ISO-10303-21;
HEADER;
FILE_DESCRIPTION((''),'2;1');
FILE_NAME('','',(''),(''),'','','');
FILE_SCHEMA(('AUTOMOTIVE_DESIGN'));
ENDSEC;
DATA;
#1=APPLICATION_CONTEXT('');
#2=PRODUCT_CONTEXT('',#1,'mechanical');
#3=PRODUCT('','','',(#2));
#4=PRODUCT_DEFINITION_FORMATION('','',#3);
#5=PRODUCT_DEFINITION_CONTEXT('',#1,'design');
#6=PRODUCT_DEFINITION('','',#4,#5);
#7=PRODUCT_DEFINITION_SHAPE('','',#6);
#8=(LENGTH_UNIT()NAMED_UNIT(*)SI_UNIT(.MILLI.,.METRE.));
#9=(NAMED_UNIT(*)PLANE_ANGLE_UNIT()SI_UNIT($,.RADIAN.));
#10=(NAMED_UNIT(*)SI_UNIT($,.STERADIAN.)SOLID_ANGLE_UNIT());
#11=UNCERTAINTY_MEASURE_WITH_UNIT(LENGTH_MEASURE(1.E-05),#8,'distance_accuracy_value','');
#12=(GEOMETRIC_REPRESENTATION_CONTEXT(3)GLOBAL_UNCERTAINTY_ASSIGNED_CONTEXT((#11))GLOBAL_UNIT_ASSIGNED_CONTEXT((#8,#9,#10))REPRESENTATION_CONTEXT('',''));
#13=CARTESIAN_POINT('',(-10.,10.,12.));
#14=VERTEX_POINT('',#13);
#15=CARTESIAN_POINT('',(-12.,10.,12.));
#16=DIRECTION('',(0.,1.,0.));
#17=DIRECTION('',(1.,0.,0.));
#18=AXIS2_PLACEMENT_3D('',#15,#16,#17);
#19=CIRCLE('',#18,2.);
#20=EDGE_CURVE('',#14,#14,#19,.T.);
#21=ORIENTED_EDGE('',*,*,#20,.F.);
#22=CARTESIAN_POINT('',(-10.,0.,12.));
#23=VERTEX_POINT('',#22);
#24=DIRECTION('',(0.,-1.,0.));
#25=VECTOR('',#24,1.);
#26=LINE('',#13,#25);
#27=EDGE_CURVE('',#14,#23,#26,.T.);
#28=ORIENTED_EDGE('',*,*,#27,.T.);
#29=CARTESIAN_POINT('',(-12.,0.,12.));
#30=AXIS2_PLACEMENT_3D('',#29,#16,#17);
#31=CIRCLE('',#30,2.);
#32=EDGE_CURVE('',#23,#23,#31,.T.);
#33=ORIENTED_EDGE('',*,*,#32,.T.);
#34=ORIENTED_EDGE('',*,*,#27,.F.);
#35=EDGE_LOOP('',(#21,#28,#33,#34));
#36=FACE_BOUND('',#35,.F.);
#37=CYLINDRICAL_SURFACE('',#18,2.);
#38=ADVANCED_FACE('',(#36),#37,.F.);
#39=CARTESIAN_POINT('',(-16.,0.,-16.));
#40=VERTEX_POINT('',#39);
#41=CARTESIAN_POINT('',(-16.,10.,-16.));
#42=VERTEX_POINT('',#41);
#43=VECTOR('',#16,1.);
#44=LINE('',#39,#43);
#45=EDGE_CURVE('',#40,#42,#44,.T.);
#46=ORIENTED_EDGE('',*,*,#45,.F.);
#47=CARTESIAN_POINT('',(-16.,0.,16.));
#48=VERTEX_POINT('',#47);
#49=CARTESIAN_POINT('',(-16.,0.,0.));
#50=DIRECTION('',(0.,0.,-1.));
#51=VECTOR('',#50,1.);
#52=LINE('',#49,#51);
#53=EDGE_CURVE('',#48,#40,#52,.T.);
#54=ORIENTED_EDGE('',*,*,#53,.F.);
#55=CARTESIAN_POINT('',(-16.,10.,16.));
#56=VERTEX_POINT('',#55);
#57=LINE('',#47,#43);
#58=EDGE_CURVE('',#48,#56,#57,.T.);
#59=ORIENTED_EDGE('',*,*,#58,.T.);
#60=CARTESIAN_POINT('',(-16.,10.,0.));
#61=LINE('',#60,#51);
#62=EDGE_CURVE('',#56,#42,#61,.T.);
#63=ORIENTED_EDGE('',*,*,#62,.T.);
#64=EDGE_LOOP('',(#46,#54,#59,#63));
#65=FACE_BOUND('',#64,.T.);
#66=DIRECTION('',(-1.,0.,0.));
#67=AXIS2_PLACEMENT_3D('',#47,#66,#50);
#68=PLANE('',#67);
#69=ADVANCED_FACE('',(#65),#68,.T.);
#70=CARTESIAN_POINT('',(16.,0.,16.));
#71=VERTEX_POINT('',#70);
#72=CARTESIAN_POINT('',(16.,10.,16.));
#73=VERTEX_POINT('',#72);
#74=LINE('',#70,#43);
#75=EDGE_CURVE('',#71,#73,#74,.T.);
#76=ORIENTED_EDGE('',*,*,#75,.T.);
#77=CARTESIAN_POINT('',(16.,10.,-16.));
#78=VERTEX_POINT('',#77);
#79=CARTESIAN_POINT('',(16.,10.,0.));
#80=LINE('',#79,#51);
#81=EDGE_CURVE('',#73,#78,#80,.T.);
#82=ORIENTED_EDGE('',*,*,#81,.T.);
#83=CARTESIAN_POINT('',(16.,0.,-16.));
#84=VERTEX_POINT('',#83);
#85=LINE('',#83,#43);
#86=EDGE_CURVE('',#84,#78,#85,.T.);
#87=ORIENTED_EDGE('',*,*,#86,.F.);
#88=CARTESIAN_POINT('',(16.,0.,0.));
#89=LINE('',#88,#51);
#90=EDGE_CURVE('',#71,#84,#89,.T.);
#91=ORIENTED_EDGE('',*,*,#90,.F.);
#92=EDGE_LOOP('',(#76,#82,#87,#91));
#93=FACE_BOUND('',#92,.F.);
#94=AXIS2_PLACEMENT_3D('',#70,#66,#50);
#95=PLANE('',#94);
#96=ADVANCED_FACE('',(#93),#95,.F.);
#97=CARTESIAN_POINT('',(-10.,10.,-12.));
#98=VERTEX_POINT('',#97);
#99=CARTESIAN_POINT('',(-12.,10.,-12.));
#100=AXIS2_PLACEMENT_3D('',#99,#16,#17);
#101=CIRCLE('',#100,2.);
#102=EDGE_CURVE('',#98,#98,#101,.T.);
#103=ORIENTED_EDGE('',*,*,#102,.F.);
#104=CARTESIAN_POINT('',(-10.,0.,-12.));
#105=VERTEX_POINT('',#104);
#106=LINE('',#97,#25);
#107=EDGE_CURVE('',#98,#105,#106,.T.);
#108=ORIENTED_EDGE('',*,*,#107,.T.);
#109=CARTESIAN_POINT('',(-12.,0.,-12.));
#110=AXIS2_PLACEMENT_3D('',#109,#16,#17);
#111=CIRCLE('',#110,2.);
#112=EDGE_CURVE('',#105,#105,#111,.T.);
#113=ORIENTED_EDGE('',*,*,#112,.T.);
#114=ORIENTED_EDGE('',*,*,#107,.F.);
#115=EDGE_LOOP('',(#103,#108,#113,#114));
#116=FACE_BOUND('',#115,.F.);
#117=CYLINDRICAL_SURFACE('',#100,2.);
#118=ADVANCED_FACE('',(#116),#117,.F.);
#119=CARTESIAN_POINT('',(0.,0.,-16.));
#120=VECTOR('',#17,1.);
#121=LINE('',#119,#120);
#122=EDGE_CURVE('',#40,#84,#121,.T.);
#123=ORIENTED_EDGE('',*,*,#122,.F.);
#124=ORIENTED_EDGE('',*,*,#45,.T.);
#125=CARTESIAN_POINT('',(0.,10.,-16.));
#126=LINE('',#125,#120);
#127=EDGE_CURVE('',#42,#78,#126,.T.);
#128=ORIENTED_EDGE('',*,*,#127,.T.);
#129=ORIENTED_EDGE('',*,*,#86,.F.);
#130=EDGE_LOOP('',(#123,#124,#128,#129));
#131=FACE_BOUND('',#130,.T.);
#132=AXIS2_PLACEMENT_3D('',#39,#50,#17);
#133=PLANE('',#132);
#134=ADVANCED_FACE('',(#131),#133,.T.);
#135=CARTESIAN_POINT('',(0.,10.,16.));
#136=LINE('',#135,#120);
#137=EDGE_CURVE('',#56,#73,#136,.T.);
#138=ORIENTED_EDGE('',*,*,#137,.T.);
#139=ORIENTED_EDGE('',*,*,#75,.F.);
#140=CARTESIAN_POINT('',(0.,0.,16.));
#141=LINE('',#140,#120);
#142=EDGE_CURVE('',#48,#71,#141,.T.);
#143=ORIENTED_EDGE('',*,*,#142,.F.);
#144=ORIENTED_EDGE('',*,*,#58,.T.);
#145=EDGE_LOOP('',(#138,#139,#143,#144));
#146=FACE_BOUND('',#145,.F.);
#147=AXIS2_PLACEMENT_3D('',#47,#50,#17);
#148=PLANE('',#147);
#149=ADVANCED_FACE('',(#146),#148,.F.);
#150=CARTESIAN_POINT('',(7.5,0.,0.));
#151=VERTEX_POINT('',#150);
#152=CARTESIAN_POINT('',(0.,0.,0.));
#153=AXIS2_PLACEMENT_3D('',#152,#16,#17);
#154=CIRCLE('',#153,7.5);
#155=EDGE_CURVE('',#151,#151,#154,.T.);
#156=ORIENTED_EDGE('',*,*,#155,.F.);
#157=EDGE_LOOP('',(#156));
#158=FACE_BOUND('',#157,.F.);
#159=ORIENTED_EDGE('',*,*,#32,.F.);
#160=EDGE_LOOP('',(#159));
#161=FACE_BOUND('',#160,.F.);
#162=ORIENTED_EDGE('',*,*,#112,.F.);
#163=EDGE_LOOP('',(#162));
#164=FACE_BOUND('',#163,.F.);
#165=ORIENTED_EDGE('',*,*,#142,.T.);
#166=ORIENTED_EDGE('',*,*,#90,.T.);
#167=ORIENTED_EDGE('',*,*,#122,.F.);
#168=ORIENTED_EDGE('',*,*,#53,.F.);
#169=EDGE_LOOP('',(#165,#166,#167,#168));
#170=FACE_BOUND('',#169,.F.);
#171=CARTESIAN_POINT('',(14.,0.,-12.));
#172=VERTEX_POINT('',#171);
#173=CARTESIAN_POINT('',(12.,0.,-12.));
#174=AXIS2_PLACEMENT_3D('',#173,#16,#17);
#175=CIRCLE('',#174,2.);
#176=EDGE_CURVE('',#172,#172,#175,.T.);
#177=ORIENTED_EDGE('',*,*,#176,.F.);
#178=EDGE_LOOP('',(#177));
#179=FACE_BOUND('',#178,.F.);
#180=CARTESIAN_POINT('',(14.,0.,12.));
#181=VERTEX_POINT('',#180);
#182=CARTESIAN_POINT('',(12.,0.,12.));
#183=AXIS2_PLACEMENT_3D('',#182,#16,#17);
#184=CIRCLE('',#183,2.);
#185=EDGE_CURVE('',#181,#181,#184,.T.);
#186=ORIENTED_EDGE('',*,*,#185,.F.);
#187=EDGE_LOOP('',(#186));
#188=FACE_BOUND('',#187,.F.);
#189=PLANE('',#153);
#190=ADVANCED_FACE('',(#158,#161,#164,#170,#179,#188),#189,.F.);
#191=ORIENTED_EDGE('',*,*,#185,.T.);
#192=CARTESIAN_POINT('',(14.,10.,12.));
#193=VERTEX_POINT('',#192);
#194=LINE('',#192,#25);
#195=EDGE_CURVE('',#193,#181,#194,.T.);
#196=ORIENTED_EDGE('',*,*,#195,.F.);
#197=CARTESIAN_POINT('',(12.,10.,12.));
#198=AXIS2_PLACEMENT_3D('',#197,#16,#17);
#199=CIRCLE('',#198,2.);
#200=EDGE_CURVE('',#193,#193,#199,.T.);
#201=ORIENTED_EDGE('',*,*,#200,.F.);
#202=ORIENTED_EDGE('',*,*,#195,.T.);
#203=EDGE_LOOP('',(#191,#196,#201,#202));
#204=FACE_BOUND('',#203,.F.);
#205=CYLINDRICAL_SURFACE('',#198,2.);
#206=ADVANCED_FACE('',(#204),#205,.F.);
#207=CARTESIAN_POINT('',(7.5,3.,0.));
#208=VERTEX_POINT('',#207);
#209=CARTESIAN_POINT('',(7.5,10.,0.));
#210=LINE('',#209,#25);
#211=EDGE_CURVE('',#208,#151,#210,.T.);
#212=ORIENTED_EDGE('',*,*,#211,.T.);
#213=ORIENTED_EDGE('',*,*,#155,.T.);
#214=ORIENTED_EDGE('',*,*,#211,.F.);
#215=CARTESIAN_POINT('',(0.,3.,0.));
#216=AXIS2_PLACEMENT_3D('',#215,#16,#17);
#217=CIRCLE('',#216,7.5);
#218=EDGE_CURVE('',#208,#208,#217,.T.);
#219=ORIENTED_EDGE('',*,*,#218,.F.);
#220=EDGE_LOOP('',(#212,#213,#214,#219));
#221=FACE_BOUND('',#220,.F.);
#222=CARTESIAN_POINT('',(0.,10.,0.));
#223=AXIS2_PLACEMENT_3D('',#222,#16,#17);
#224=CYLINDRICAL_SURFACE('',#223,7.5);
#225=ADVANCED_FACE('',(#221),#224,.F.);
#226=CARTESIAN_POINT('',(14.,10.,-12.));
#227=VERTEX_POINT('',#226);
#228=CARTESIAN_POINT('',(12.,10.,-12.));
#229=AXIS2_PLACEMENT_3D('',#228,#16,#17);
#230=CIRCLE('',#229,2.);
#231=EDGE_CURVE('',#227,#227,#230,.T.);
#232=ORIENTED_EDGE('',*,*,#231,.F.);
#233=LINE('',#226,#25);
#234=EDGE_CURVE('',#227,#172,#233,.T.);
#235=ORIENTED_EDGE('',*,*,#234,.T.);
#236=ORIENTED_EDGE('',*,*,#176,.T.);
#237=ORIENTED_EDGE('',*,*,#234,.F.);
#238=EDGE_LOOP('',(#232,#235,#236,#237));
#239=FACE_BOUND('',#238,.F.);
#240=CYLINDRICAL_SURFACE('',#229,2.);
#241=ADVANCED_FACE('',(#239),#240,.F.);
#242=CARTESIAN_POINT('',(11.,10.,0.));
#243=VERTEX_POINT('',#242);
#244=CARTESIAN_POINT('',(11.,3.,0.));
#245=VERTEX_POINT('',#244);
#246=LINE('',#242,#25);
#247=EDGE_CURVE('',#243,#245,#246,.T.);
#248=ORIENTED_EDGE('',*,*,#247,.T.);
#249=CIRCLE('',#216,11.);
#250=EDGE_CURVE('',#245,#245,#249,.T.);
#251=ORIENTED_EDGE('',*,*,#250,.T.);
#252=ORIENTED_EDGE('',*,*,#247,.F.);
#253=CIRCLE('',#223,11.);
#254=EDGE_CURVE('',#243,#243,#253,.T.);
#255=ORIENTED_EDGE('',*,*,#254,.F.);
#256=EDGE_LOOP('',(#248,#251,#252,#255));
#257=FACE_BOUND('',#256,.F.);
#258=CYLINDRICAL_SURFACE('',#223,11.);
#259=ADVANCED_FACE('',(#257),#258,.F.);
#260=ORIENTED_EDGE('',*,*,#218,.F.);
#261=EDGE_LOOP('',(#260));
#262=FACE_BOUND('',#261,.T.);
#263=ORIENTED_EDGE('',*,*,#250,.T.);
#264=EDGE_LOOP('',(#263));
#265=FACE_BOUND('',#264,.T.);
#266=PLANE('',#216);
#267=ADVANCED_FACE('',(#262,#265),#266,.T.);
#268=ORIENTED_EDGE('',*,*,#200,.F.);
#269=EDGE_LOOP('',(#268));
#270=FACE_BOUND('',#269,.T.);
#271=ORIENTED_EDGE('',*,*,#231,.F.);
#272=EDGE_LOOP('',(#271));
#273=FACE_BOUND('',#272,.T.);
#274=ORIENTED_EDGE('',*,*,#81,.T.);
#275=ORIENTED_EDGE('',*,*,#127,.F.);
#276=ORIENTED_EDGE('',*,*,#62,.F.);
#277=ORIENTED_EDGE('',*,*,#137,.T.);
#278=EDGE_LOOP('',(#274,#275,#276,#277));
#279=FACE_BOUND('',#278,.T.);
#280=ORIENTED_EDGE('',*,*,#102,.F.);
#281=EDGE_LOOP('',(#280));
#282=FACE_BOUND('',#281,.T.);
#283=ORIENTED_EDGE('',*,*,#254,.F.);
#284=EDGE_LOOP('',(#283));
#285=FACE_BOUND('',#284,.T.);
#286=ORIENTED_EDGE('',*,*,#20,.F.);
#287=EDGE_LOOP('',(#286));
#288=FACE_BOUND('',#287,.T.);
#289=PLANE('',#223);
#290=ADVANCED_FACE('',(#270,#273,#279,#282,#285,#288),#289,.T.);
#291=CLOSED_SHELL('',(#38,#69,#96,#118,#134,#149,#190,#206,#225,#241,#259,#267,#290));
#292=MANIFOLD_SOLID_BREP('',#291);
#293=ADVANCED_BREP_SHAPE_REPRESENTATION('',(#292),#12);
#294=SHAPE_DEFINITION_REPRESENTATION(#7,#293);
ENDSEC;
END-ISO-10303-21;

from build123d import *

# Parameters (mm, degrees)
SKETCH1_W           = 32
SKETCH1_H           = 32
BOSS_EXTRUDE1_DEPTH = 10
SKETCH2_R           = 11
CUT_EXTRUDE1_DEPTH  = 7
SKETCH3_R           = 2
SKETCH3_R_2         = 7.5
CUT_EXTRUDE2_DEPTH  = 11


with BuildPart() as part:
    # Sketch1 → Boss-Extrude1 (new body)
    with BuildSketch(Plane(origin=(0, 0, 0), x_dir=(1, 0, 0), z_dir=(0, 1, 0))):
        Rectangle(SKETCH1_W, SKETCH1_H)
    extrude(amount=BOSS_EXTRUDE1_DEPTH)

    # Sketch2 → Cut-Extrude1 (cut)
    with BuildSketch(Plane(origin=(0, 10, 0), x_dir=(1, 0, 0), z_dir=(0, 1, 0))):
        Circle(SKETCH2_R)
    extrude(amount=-CUT_EXTRUDE1_DEPTH, mode=Mode.SUBTRACT)

    # Sketch3 → Cut-Extrude2 (cut, through all)
    with BuildSketch(Plane(origin=(0, 10, 0), x_dir=(1, 0, 0), z_dir=(0, 1, 0))):
        with Locations((-12, 12)):
            Circle(SKETCH3_R)
        with Locations((12, 12)):
            Circle(SKETCH3_R)
        with Locations((12, -12)):
            Circle(SKETCH3_R)
        with Locations((-12, -12)):
            Circle(SKETCH3_R)
        Circle(SKETCH3_R_2)
    extrude(amount=-CUT_EXTRUDE2_DEPTH, mode=Mode.SUBTRACT)


solid = part.part
